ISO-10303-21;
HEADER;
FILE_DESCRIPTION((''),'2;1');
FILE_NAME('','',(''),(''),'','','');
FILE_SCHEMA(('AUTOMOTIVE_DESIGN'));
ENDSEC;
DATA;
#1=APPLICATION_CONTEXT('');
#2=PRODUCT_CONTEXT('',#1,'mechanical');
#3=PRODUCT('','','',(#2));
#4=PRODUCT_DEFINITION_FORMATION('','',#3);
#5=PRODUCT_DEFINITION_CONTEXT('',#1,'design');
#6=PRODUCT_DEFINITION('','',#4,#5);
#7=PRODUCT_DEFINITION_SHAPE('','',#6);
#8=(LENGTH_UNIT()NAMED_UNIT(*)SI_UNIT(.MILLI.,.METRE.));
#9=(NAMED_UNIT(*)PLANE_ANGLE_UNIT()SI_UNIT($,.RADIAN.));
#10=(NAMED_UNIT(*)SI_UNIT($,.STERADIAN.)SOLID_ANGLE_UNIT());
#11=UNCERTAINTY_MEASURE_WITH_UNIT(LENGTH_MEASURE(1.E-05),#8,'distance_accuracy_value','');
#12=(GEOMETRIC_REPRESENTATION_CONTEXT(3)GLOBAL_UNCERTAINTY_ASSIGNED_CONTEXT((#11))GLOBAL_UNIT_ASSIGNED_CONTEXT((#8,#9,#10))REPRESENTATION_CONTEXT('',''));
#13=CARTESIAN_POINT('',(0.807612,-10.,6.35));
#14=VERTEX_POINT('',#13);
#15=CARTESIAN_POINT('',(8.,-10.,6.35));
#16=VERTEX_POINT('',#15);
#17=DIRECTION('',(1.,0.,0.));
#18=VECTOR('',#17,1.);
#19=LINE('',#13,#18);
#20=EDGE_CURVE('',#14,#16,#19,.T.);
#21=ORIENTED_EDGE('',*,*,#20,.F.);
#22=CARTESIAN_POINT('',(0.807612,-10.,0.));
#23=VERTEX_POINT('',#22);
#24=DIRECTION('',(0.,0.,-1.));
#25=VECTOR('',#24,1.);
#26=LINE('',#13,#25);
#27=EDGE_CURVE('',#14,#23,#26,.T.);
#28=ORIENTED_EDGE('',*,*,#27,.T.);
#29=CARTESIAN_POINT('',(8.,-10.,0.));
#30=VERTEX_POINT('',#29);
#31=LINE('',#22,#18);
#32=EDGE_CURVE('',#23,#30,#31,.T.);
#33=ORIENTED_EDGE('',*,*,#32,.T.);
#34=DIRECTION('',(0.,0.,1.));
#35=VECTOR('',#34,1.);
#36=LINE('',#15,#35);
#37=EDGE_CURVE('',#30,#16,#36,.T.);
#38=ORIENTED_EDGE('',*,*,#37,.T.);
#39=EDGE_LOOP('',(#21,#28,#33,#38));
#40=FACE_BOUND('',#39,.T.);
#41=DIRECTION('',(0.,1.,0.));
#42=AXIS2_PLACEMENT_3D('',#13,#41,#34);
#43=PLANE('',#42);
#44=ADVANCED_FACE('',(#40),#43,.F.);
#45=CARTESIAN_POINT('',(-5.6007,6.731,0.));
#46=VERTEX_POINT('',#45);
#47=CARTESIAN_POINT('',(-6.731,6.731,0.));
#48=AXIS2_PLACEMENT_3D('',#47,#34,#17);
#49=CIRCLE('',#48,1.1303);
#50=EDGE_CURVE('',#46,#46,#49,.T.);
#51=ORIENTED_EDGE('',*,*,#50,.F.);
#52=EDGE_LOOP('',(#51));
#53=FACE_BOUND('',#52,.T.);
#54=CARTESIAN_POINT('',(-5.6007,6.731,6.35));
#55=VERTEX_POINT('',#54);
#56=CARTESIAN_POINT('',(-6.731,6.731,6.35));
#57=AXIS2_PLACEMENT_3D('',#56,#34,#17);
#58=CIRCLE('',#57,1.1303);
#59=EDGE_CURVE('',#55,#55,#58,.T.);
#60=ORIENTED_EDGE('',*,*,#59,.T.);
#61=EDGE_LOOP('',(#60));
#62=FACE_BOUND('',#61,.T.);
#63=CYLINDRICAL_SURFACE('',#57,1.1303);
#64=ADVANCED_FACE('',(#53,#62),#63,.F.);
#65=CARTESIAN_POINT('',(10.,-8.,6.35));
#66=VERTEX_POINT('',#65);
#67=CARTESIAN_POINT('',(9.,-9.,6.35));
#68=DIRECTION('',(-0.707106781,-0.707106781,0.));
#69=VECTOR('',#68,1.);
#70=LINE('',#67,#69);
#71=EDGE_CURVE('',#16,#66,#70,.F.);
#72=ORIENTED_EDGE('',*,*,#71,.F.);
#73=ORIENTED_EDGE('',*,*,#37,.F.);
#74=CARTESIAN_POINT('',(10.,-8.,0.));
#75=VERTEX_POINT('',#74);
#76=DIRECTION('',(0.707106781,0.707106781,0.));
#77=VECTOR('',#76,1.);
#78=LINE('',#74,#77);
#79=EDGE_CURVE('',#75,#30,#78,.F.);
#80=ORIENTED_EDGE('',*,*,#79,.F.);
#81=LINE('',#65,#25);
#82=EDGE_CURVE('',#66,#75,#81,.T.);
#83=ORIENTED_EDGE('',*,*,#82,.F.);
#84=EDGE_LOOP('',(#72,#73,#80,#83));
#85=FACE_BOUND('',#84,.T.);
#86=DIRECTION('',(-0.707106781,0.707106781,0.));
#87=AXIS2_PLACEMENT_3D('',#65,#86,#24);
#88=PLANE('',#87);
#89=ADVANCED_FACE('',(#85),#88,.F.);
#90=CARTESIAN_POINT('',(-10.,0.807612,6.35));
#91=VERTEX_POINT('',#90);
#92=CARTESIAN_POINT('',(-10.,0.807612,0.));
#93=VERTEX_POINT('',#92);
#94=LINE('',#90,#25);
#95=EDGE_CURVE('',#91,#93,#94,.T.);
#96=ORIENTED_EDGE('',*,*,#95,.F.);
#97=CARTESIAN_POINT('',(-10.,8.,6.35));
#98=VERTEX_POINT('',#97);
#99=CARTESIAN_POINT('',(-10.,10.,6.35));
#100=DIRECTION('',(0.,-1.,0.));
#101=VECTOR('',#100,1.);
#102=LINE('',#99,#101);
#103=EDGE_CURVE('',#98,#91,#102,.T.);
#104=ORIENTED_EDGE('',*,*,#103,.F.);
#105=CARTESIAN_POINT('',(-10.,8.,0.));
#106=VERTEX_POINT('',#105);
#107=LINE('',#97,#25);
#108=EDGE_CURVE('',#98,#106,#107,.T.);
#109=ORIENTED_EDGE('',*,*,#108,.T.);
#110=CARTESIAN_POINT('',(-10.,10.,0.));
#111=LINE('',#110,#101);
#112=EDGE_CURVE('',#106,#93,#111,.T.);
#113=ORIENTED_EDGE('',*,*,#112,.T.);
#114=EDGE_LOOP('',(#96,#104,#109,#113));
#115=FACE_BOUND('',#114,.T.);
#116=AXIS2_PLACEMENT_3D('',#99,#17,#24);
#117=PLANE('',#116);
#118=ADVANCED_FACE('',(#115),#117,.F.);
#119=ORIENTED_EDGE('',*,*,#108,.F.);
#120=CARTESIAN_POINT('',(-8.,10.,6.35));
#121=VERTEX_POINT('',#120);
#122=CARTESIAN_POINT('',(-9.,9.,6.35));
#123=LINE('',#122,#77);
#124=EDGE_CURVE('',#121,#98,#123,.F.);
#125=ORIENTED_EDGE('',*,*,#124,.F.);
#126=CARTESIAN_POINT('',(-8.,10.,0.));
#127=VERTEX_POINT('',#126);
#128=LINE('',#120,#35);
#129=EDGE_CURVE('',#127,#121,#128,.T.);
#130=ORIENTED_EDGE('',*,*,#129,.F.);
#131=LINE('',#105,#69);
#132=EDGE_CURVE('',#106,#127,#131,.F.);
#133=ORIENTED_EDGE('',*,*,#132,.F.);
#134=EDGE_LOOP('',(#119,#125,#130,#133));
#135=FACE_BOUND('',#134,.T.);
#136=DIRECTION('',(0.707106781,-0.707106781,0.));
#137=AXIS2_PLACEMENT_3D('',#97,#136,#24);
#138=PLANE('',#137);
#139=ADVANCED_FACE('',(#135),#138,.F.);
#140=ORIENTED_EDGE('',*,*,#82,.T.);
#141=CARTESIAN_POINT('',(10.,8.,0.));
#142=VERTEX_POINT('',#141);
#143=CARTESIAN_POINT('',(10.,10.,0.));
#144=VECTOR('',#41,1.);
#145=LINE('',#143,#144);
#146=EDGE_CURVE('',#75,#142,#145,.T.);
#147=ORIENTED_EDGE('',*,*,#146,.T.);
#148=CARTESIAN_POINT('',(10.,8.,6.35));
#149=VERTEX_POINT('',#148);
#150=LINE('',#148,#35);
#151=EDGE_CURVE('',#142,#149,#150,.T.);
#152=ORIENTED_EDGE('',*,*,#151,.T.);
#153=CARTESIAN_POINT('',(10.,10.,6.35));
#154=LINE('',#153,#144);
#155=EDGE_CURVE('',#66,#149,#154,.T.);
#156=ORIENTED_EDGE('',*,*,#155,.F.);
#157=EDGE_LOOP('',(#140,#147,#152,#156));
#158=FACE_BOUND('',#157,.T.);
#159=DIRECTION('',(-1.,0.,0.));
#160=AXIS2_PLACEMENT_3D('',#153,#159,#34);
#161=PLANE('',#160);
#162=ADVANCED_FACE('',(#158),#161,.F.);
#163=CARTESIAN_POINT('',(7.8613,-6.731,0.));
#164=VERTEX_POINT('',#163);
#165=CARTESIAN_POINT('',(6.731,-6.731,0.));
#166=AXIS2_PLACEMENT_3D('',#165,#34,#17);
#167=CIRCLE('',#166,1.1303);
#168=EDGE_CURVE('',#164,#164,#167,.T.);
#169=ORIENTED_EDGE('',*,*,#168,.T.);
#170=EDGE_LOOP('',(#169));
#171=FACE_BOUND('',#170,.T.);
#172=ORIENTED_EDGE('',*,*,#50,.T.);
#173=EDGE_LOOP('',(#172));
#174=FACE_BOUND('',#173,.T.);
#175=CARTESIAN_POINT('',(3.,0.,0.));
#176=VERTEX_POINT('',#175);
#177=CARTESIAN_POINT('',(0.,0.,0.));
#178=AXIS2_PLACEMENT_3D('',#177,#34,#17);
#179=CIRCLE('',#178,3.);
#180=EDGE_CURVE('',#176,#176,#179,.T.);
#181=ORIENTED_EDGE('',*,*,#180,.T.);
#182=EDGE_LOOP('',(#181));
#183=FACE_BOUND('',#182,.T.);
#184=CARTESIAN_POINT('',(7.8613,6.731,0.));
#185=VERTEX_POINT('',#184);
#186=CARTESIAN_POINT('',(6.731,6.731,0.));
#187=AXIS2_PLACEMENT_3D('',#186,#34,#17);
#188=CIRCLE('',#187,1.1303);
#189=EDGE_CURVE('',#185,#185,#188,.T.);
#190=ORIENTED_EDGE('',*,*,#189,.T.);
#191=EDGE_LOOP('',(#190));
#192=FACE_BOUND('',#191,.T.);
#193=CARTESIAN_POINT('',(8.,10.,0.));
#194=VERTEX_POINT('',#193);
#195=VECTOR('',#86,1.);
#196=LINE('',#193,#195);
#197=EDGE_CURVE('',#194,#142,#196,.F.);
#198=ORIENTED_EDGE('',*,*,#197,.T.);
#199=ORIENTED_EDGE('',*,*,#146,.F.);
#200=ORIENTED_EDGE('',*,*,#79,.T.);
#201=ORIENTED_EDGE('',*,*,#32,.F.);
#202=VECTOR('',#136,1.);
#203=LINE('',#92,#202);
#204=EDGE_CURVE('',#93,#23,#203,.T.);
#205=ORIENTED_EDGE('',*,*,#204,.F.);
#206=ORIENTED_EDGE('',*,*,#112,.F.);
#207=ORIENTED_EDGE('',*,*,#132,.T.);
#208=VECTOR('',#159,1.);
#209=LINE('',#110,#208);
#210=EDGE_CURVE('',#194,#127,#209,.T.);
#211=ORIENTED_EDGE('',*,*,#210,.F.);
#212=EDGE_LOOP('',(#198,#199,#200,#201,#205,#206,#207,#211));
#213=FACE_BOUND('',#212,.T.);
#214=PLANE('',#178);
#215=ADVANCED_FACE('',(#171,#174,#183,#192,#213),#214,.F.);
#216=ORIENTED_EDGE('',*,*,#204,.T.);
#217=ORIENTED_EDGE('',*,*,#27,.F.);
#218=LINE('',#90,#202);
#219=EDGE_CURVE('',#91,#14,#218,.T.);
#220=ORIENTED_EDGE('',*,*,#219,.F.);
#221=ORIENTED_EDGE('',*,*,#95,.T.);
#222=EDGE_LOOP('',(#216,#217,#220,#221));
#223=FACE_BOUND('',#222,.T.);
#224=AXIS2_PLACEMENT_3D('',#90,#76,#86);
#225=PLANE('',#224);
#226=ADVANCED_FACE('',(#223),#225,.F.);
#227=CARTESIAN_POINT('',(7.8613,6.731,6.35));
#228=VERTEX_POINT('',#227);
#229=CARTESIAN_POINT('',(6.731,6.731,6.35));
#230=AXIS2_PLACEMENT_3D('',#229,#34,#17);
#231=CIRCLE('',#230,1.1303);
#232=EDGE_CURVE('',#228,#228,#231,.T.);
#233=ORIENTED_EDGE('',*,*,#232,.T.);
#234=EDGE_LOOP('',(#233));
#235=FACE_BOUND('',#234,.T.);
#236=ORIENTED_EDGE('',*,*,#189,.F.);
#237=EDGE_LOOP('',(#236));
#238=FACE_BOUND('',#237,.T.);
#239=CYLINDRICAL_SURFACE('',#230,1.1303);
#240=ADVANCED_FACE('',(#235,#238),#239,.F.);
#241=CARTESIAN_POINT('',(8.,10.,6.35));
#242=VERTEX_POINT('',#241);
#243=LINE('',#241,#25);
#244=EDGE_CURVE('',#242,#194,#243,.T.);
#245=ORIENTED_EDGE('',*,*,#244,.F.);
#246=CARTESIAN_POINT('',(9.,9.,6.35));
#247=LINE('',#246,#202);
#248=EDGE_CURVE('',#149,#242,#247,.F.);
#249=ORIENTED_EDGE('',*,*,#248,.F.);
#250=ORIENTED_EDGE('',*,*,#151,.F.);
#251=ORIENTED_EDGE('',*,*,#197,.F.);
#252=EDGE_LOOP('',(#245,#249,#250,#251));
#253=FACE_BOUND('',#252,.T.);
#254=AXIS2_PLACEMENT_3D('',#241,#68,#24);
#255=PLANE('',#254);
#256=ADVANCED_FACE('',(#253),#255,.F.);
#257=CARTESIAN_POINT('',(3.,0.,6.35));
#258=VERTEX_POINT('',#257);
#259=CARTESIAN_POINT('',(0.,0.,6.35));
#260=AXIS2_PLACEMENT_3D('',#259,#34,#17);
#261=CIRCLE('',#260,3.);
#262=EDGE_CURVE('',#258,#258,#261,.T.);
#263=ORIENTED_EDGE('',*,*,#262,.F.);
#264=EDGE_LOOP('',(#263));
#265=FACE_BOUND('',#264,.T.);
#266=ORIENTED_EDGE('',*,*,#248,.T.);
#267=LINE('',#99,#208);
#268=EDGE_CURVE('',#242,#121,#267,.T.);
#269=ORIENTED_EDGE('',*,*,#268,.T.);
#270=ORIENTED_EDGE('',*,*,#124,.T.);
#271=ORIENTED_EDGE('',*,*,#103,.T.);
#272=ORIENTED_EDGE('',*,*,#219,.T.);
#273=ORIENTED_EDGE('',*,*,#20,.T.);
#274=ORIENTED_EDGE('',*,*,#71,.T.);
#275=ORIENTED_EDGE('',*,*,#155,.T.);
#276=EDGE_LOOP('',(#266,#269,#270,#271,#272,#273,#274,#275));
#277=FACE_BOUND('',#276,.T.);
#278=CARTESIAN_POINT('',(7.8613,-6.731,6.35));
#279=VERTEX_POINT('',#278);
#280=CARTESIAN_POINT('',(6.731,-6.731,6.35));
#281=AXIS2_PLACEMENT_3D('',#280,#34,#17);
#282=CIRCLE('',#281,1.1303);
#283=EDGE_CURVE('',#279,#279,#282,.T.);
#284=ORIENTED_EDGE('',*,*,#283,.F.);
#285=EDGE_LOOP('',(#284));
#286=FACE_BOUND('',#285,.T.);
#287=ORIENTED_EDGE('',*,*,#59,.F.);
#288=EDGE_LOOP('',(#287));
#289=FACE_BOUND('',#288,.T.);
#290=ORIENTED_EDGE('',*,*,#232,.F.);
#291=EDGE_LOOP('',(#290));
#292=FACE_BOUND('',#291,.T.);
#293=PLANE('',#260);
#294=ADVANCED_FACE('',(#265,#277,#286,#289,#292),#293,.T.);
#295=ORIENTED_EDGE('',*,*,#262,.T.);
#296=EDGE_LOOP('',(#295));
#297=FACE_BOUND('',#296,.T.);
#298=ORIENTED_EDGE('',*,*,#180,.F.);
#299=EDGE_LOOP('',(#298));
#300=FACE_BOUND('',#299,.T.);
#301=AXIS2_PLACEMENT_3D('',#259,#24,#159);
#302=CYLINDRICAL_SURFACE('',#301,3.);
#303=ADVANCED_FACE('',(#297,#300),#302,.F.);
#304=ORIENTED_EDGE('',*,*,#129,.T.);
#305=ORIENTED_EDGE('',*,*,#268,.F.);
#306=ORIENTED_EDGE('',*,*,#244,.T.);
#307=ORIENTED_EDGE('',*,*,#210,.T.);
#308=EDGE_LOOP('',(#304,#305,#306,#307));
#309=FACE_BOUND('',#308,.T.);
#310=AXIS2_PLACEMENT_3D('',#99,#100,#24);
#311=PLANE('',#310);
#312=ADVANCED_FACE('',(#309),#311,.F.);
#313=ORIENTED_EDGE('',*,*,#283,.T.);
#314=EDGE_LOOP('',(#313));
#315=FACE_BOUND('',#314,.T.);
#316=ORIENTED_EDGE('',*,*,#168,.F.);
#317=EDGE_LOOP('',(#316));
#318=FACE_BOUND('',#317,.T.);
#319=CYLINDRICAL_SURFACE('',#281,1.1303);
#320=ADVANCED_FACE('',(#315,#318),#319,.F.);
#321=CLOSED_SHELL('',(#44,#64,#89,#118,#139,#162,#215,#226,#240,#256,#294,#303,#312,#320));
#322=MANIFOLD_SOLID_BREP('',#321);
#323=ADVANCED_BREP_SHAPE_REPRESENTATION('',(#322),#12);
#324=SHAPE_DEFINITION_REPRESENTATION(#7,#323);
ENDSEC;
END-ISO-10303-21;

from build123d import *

# Parameters (mm, degrees)
SKETCH1_R             = 3
BOSS_EXTRUDE1_DEPTH   = 6.35
F_4_40_TAPPED_HOLE1_D = 2.2606
CHAMFER1_SIZE         = 2


with BuildPart() as part:
    # Sketch1 → Boss-Extrude1 (new body)
    with BuildSketch(Plane.XY):
        Polygon((-10, 0.807611845), (0.807611845, -10), (10, -10), (10, 10), (-10, 10), align=None)
        Circle(SKETCH1_R, mode=Mode.SUBTRACT)
    extrude(amount=BOSS_EXTRUDE1_DEPTH)

    # #4-40 Tapped Hole1 (through all)
    with Locations(Plane.XY.offset(6.35)):
        with Locations((-6.731, 6.731), (6.731, -6.731), (-6.731, -6.731), (6.731, 6.731)):
            Hole(F_4_40_TAPPED_HOLE1_D / 2)

    # Chamfer1
    chamfer1_edges = [part.edges().sort_by_distance(p)[0] for p in [
        (-10, 10, 3.175),
        (10, 10, 3.175),
        (10, -10, 3.175),
    ]]
    chamfer(chamfer1_edges, length=CHAMFER1_SIZE)


solid = part.part
